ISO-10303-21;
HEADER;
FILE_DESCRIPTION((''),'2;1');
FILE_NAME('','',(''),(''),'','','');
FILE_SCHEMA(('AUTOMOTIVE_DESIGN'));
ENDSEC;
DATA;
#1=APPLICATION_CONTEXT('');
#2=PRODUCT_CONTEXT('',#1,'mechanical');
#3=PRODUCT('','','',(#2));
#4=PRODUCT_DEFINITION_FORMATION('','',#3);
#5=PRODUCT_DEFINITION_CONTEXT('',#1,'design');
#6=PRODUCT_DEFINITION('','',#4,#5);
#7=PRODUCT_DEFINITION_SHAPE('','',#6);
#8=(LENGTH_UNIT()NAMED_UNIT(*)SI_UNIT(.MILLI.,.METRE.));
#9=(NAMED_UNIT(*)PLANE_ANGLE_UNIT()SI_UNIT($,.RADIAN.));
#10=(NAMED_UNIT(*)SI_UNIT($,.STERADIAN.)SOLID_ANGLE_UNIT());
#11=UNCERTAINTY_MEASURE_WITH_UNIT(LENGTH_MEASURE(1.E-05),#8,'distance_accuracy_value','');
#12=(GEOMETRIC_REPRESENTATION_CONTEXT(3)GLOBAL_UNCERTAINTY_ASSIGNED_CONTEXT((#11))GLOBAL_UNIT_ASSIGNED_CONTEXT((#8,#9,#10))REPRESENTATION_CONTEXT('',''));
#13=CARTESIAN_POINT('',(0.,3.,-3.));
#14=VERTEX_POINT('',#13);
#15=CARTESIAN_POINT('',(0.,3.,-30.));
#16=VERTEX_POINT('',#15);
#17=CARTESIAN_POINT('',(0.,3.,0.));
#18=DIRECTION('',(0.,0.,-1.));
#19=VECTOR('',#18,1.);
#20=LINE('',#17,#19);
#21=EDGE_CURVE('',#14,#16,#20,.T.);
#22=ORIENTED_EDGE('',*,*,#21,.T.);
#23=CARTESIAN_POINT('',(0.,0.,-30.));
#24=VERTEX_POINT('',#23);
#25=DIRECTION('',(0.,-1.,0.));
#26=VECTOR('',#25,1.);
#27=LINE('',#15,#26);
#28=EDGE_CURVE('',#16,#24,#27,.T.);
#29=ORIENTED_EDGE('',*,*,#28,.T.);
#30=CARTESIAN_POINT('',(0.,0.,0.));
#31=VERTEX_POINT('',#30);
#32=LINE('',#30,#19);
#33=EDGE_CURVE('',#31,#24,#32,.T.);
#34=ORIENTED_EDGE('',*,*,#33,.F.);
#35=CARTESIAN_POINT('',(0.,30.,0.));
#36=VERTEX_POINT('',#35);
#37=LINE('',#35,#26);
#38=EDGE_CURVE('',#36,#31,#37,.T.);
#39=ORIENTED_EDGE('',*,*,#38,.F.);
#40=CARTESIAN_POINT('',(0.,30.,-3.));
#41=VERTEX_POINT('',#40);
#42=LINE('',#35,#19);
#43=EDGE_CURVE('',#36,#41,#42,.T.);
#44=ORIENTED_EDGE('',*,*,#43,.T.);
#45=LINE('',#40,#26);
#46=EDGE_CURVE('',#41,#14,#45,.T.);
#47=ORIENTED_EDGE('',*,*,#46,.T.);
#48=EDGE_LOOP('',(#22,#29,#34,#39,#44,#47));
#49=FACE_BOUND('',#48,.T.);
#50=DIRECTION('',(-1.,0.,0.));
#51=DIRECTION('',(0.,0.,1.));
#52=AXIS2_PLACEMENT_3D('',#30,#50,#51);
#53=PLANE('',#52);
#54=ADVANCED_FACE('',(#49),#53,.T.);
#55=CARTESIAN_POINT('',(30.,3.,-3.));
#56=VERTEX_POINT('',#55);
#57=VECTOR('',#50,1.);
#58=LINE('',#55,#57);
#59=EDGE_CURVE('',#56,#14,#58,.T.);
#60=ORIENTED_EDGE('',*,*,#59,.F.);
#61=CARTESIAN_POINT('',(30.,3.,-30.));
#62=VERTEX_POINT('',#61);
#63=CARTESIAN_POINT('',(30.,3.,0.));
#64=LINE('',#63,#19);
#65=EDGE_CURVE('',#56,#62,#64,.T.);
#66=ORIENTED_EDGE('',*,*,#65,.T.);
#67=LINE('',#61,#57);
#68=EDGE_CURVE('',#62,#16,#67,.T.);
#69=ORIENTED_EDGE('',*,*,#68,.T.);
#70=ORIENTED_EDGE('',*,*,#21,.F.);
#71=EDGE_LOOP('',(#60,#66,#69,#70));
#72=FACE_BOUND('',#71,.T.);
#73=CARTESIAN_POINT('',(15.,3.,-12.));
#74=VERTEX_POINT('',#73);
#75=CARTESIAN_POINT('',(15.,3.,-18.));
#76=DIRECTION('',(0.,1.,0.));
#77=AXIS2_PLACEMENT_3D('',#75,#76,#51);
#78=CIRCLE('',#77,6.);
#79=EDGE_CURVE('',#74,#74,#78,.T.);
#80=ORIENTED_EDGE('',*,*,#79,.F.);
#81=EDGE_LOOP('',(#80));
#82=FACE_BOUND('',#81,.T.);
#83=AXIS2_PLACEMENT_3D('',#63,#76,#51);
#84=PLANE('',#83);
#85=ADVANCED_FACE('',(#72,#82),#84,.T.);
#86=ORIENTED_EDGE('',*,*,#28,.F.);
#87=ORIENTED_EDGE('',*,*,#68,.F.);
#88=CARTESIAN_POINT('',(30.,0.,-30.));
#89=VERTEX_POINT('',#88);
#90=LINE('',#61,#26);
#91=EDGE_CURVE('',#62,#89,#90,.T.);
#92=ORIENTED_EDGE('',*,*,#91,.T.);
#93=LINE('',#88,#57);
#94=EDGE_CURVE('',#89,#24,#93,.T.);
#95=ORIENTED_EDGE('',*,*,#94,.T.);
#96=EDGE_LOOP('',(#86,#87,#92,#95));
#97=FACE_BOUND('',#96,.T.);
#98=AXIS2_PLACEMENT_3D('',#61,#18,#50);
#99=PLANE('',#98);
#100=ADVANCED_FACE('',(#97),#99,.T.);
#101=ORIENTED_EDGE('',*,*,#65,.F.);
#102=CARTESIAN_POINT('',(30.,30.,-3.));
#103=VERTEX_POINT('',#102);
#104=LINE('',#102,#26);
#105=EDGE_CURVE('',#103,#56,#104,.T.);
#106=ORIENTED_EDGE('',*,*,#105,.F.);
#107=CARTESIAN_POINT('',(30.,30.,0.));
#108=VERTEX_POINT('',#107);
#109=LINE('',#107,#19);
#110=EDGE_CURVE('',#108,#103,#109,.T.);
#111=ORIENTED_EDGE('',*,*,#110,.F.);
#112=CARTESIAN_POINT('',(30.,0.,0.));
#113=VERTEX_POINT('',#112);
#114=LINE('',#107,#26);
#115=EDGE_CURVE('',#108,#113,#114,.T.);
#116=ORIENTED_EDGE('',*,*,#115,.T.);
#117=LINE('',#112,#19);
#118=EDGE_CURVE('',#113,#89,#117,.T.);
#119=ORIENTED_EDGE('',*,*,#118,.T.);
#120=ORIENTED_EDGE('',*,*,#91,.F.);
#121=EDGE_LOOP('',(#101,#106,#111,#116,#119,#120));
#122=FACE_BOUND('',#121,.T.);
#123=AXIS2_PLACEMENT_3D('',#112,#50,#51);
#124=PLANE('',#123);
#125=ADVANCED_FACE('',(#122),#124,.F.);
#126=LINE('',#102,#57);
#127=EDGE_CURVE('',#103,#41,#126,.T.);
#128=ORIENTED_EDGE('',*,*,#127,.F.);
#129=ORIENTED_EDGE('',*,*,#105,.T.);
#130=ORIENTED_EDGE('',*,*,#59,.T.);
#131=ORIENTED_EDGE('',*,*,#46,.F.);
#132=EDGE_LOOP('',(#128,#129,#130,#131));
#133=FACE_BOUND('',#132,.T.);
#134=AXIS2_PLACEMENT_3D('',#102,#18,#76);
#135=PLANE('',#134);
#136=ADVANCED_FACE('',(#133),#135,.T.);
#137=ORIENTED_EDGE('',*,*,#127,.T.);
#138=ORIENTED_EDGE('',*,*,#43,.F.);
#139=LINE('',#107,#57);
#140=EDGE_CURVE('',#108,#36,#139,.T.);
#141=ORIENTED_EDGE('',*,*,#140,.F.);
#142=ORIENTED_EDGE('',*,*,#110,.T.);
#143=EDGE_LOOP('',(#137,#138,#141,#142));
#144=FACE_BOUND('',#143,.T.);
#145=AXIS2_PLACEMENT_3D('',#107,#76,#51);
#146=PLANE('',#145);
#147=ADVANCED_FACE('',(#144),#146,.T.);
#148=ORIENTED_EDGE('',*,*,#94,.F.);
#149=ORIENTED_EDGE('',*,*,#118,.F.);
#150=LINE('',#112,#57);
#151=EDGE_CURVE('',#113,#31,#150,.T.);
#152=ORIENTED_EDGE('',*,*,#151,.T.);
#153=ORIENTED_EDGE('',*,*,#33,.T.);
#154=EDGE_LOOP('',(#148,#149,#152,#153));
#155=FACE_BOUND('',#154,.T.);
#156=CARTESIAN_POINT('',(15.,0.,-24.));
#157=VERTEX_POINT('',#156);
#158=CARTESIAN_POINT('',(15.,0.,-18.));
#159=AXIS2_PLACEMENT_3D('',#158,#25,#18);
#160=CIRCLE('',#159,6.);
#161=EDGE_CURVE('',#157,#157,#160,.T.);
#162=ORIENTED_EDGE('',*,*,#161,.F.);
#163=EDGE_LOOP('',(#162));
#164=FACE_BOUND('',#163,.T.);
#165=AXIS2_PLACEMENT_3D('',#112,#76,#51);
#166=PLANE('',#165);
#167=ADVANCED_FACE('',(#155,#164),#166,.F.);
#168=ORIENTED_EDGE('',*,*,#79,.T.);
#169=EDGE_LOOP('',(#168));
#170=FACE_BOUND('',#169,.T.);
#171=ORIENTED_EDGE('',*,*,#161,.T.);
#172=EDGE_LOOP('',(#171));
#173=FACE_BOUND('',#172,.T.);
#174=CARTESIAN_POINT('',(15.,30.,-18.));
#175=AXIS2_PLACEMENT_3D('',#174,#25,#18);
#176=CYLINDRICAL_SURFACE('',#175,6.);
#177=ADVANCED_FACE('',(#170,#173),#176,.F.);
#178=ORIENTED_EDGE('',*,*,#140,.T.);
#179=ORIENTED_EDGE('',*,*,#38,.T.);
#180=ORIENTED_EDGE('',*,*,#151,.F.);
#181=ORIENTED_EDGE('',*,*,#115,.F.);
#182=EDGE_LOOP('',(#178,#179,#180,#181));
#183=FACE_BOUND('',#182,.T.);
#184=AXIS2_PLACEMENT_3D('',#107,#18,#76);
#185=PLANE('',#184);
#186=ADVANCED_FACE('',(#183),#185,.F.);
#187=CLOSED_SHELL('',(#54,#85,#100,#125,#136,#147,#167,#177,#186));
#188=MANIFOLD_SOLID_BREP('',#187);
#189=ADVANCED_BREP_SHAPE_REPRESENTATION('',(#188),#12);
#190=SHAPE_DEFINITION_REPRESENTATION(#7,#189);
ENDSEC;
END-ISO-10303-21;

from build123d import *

# Parameters (mm, degrees)
EXTRUDE_1_DEPTH     = 30
SKETCH_2_R          = 6
CUT_EXTRUDE_1_DEPTH = 31


with BuildPart() as part:
    # Эскиз1 → Вытянуть-Тонкостенный1 (new body)
    with BuildSketch(Plane(origin=(0, 0, 0), x_dir=(0, 0, -1), z_dir=(1, 0, 0))):
        Polygon((0, 30), (0, 0), (30, 0), (30, 3), (3, 3), (3, 30), align=None)
    extrude(amount=EXTRUDE_1_DEPTH)

    # Эскиз2 → Вырез-Вытянуть1 (cut, through all)
    with BuildSketch(Plane.XZ):
        with Locations((15, -18)):
            Circle(SKETCH_2_R)
    extrude(amount=-CUT_EXTRUDE_1_DEPTH, mode=Mode.SUBTRACT)


solid = part.part
